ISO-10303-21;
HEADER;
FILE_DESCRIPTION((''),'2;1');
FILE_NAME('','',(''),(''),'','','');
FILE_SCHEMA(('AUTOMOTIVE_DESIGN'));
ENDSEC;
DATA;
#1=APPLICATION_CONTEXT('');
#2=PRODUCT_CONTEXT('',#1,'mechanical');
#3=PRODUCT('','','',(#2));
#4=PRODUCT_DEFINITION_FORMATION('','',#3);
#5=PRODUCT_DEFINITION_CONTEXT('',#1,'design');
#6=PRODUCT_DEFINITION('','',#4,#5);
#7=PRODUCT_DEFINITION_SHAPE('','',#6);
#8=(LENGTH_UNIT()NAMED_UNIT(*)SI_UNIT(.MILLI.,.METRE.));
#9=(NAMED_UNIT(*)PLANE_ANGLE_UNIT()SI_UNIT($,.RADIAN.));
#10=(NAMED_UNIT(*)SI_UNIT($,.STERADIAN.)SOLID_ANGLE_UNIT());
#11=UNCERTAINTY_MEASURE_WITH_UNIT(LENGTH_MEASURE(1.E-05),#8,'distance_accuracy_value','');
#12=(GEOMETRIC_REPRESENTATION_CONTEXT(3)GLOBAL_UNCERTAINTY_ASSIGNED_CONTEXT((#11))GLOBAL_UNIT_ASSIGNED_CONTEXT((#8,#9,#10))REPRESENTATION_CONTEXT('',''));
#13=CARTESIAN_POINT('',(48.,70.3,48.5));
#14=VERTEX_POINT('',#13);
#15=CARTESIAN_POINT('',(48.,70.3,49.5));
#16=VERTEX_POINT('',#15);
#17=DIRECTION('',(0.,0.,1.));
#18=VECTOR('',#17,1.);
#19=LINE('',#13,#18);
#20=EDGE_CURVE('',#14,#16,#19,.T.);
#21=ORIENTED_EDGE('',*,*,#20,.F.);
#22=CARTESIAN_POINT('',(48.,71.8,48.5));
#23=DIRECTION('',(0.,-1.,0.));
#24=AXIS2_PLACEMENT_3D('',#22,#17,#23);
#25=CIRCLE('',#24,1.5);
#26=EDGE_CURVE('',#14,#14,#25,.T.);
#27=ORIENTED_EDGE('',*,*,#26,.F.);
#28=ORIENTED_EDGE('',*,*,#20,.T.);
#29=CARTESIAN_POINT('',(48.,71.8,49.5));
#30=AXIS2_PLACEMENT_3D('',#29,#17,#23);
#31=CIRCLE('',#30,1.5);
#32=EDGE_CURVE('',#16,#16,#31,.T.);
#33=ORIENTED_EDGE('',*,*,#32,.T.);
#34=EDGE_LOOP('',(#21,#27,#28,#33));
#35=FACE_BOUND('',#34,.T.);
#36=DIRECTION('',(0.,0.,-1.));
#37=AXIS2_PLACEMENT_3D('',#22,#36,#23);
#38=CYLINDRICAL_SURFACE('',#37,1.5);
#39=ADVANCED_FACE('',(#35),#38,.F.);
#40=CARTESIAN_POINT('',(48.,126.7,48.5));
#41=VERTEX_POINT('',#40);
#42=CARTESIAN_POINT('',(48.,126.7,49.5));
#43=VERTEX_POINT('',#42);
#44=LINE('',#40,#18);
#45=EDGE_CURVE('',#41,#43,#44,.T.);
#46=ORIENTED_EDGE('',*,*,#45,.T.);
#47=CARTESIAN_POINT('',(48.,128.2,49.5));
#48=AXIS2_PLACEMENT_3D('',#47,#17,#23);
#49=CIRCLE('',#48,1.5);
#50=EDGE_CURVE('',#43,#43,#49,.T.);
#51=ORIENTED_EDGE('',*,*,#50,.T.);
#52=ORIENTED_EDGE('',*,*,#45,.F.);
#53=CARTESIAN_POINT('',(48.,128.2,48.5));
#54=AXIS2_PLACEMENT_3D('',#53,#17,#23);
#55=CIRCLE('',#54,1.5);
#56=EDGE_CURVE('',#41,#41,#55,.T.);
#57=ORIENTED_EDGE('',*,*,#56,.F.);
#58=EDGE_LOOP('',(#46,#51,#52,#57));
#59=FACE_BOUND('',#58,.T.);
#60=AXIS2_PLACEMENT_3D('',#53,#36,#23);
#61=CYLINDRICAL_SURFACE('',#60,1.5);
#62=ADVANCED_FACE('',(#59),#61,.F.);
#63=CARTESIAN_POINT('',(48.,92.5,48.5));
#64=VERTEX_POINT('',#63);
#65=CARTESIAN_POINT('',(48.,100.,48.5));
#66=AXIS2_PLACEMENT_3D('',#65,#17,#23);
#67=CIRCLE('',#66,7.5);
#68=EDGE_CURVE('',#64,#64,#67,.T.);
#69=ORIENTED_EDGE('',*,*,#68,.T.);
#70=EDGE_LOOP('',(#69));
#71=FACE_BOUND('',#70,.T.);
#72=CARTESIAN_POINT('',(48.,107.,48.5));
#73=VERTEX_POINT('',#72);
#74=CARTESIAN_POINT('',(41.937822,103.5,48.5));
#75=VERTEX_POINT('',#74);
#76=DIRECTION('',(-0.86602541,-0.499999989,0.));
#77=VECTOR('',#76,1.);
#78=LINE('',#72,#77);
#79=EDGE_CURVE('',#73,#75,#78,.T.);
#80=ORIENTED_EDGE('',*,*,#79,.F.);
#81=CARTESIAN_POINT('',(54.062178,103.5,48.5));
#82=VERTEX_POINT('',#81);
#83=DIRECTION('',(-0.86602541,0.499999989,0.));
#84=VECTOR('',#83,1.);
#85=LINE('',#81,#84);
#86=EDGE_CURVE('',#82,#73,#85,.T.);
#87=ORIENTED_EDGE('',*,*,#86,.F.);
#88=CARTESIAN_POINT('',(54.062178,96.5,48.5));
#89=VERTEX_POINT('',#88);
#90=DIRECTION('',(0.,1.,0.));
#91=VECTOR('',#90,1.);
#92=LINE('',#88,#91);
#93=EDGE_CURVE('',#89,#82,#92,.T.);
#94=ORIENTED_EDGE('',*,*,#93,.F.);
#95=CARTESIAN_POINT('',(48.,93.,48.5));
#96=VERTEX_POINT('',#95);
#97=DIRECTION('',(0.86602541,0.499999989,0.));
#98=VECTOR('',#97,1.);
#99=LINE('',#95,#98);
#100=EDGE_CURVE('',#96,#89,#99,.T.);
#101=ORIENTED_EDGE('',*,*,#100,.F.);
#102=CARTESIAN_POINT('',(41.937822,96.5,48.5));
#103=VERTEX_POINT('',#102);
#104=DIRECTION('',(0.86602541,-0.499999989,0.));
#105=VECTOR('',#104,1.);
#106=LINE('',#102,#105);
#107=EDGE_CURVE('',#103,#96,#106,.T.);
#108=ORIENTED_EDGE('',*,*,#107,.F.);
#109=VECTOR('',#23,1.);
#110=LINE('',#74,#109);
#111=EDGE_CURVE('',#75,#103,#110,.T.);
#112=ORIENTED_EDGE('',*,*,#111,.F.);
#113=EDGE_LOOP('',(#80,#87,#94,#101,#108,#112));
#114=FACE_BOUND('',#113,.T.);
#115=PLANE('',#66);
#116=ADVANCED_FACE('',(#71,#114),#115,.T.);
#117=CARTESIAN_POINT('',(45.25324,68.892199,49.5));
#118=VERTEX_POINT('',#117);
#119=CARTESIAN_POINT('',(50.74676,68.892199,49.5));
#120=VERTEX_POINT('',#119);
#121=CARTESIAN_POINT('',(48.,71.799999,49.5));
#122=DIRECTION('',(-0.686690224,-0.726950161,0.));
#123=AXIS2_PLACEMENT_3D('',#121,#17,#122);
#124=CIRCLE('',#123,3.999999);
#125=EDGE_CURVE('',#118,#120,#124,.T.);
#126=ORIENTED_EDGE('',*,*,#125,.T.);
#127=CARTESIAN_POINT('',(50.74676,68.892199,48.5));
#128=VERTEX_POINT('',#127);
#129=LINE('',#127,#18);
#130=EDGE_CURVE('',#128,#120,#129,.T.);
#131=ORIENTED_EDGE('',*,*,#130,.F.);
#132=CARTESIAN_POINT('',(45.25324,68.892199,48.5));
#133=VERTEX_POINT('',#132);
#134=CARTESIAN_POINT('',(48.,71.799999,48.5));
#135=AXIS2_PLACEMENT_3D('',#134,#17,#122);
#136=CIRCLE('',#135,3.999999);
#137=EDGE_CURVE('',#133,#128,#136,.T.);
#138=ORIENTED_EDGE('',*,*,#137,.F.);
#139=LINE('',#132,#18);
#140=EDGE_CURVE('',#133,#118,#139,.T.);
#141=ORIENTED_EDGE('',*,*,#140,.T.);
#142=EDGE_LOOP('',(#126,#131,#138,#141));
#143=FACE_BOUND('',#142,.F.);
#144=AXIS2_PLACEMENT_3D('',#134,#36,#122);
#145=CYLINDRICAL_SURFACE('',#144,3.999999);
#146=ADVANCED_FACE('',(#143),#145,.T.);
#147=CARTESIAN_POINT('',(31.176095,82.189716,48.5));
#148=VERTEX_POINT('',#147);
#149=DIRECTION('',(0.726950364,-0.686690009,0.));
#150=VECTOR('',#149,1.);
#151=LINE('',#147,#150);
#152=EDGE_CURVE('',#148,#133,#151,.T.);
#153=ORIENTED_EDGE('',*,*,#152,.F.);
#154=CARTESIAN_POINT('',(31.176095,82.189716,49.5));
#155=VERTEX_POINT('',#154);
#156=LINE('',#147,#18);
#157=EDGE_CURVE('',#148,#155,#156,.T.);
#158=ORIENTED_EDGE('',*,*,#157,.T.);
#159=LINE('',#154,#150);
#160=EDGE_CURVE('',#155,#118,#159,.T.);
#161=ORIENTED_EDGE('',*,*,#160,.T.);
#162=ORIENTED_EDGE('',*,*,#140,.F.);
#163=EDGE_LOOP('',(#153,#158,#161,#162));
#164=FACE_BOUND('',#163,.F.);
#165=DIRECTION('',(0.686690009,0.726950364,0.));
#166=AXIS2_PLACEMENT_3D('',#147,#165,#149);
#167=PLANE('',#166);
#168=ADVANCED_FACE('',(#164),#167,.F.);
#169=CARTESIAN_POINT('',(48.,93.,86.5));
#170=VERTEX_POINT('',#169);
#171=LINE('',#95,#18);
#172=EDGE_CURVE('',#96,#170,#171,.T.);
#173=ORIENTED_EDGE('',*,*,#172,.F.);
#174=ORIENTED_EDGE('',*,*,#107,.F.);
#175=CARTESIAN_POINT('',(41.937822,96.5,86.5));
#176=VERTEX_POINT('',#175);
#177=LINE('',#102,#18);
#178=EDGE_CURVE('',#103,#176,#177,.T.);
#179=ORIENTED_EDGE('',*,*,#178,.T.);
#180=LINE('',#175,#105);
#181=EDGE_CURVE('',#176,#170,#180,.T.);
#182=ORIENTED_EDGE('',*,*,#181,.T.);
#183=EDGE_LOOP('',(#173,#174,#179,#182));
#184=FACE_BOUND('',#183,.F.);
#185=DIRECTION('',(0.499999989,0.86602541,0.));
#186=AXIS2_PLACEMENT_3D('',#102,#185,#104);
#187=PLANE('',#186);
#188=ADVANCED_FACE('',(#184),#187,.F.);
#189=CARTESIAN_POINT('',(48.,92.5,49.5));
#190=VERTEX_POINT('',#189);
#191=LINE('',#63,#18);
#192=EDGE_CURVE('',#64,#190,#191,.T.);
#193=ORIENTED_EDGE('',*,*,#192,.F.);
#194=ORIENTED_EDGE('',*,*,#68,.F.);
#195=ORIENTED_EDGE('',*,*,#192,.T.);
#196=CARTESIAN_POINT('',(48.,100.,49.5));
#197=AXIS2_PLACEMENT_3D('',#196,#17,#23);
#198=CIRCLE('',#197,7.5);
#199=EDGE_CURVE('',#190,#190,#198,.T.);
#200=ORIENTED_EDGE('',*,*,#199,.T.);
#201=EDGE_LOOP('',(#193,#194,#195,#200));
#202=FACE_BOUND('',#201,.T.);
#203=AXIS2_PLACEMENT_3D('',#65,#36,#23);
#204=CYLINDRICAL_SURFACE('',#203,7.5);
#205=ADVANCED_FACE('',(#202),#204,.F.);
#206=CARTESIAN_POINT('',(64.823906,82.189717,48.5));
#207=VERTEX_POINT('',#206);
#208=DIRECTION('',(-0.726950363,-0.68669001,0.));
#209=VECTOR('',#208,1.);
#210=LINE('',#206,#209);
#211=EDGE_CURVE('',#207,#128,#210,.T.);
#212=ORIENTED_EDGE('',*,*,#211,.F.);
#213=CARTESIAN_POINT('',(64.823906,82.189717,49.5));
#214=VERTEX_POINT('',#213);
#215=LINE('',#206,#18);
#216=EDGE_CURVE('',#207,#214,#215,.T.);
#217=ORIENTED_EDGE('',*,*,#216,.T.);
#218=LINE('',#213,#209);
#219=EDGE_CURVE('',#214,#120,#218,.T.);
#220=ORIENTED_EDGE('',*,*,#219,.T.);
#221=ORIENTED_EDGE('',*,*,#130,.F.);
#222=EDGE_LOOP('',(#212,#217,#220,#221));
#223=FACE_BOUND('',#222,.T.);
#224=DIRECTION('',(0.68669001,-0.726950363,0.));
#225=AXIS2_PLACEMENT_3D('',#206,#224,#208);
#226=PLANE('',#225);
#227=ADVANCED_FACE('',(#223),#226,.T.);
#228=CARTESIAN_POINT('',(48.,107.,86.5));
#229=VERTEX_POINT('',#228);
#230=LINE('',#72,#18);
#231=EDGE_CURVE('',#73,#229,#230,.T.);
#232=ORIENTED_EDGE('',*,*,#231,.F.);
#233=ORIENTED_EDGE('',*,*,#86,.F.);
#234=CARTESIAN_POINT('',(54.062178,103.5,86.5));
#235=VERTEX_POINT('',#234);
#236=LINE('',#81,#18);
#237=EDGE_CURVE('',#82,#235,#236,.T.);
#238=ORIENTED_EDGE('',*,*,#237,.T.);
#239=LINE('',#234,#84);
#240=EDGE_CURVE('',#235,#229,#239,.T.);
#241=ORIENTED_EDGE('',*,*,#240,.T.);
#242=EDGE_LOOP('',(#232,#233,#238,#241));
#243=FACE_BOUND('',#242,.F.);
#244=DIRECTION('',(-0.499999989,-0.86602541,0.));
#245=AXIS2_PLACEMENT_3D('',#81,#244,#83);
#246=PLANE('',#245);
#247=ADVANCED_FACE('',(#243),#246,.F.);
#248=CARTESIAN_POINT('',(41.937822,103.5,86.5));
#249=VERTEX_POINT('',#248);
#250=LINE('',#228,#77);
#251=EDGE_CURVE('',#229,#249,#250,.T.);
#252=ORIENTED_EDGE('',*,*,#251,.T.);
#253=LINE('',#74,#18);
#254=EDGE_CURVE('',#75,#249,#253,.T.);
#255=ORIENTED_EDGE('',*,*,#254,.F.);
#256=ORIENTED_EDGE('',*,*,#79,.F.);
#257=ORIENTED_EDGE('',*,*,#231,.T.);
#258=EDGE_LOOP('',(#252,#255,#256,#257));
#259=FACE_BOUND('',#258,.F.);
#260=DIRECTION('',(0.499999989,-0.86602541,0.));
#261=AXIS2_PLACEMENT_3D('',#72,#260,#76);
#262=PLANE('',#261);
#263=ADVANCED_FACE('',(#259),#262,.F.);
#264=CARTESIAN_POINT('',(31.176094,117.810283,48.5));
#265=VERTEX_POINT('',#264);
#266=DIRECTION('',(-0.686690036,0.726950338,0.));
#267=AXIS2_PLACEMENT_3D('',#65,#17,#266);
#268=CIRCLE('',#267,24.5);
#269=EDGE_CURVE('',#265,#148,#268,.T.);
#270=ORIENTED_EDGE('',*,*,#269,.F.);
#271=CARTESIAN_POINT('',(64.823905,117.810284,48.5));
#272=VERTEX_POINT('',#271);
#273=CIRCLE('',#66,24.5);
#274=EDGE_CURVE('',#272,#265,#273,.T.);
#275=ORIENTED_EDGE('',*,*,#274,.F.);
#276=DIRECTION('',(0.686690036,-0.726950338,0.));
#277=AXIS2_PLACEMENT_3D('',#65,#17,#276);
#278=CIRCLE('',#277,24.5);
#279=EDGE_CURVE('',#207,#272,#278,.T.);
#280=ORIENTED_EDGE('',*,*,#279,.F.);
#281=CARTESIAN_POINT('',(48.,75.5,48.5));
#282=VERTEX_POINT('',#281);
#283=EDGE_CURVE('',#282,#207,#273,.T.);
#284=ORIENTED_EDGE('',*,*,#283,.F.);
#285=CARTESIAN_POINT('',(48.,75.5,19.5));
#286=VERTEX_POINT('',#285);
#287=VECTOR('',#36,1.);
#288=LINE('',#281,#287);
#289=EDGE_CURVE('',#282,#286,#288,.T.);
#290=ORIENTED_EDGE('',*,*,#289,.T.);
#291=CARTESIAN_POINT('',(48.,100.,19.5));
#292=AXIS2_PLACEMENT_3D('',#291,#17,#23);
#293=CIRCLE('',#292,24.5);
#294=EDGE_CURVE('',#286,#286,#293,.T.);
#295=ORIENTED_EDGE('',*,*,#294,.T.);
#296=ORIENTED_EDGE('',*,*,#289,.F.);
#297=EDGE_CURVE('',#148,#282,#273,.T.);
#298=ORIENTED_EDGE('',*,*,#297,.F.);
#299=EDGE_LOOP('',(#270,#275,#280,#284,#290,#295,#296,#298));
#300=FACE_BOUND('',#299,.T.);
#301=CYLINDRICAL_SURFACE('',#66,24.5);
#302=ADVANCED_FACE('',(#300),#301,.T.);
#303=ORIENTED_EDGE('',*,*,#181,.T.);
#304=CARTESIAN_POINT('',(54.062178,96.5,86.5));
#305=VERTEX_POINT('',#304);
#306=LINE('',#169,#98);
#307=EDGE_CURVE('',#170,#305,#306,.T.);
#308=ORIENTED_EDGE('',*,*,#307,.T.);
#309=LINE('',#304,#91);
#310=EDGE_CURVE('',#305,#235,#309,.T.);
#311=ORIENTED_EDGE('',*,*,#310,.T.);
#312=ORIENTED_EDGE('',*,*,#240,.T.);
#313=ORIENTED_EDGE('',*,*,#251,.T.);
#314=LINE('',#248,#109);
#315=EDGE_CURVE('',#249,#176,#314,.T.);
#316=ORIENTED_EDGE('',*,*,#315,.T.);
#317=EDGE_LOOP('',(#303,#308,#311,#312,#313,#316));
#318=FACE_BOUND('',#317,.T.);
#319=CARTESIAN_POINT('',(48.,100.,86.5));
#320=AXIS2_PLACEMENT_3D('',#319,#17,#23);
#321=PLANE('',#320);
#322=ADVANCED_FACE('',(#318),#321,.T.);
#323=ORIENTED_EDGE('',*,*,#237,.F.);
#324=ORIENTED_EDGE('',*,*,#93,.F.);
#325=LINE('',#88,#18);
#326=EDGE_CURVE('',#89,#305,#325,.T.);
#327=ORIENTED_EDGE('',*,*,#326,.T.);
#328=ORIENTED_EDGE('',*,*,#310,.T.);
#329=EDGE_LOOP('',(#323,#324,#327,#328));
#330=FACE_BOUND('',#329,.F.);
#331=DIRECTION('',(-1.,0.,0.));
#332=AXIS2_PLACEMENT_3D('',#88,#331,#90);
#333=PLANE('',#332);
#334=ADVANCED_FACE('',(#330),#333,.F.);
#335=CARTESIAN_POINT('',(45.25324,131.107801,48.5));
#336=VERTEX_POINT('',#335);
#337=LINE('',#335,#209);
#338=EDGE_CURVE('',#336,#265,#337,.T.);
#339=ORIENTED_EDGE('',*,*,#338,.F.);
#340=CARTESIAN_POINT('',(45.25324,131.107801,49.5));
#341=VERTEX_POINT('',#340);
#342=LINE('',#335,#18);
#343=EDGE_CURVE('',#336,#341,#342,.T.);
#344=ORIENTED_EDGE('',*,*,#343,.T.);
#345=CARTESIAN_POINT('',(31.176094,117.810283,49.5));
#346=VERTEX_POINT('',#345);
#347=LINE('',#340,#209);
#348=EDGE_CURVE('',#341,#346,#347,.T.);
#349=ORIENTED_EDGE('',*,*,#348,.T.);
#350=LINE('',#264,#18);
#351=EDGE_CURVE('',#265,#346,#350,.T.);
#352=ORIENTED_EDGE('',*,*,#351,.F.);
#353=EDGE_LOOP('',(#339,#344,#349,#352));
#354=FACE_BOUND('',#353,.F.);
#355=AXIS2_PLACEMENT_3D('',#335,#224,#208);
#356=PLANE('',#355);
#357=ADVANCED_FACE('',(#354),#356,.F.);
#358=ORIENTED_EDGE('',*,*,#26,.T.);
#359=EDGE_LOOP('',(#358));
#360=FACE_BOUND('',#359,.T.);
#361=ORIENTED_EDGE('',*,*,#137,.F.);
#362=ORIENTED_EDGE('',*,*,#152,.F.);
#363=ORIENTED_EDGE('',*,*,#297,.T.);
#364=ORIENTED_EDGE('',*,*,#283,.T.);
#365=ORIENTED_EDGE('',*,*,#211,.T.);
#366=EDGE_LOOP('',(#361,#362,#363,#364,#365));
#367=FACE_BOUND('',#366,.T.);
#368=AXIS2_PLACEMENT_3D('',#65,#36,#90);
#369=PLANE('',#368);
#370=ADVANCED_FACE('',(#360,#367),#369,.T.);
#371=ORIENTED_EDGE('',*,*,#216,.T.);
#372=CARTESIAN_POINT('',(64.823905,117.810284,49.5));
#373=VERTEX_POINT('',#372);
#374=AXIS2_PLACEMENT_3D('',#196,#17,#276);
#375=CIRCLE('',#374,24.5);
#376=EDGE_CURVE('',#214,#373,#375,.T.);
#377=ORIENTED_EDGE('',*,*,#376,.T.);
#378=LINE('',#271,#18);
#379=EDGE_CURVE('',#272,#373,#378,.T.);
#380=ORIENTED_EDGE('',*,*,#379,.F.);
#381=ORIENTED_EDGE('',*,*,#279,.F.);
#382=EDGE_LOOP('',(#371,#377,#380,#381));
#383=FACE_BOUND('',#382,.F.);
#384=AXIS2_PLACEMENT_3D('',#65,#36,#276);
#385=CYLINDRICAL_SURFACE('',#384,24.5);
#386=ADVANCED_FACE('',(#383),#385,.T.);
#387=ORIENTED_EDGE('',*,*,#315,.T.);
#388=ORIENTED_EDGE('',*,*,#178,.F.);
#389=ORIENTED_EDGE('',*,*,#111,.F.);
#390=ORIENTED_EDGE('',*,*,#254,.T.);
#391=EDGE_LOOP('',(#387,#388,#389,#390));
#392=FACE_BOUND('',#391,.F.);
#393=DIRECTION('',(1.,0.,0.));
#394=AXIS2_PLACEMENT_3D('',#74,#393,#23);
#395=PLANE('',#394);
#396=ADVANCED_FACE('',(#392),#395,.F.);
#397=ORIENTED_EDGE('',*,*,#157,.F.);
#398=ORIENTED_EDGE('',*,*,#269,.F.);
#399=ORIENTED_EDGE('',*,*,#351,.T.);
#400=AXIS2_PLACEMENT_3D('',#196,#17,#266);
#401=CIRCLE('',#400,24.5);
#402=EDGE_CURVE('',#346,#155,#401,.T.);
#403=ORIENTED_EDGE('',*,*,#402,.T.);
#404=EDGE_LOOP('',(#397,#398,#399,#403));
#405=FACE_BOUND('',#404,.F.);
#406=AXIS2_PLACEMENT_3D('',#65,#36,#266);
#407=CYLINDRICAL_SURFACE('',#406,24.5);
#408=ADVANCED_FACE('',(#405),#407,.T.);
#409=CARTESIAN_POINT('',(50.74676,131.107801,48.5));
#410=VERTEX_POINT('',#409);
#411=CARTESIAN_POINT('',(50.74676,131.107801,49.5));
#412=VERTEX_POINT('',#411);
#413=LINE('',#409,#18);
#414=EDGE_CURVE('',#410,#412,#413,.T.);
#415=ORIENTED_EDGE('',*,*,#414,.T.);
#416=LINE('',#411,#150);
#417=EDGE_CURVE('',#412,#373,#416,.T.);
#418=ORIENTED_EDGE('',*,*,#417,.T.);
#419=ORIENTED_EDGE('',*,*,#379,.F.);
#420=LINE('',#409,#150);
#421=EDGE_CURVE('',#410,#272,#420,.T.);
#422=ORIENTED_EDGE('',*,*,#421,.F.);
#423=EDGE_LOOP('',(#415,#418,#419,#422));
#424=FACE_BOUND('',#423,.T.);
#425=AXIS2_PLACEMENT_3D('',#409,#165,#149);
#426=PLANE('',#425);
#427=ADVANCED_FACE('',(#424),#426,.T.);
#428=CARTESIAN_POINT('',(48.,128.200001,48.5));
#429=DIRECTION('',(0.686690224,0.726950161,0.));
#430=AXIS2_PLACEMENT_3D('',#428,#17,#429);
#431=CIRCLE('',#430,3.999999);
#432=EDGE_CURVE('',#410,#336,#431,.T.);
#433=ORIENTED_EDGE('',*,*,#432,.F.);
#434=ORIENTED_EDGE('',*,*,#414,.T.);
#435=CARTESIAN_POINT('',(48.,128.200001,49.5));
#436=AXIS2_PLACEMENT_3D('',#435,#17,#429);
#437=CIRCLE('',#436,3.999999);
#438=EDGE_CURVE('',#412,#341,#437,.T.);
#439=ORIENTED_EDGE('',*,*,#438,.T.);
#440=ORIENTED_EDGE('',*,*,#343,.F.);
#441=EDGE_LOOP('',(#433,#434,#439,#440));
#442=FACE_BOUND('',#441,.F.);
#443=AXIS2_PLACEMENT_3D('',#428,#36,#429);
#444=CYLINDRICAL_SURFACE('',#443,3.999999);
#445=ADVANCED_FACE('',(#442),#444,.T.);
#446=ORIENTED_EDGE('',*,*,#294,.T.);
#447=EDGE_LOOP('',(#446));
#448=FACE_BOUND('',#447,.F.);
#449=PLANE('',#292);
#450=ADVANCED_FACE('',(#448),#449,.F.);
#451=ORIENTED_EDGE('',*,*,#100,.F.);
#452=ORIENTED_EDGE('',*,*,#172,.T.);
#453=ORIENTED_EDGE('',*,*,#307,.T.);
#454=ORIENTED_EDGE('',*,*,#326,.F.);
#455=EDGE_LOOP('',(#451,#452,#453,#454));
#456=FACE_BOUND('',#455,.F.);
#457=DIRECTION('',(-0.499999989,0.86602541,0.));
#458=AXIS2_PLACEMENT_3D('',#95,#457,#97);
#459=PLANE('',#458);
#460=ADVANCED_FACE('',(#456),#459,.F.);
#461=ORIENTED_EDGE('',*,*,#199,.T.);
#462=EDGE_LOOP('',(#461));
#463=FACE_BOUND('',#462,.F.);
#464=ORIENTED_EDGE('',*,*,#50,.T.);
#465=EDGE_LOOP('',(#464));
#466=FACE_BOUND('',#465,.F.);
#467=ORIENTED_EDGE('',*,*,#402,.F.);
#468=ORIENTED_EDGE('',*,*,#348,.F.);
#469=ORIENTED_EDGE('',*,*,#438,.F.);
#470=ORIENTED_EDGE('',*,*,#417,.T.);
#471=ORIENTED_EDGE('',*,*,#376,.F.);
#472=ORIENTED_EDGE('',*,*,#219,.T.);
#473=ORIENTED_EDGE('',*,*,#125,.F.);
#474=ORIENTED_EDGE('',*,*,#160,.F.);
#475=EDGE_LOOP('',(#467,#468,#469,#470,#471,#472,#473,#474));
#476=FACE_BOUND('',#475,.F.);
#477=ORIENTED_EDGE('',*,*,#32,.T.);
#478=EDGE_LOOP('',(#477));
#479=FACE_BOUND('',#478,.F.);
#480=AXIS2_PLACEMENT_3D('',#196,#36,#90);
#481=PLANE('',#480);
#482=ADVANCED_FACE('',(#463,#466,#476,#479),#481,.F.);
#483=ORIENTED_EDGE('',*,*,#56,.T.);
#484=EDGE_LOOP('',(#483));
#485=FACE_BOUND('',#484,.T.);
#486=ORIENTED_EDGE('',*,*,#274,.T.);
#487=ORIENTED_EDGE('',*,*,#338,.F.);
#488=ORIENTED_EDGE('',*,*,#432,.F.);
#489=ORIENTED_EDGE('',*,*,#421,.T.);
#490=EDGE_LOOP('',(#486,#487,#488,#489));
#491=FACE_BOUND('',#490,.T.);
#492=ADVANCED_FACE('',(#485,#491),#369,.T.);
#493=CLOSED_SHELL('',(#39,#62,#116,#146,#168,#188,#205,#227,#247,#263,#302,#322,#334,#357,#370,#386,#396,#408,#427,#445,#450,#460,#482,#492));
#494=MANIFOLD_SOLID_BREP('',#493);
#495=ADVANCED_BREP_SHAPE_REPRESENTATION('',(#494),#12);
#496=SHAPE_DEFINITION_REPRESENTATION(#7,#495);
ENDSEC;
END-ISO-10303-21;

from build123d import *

# Parameters (mm, degrees)
SKETCH033_R             = 24.5
PAD011_DEPTH            = 29
SKETCH034_R             = 7.5
SKETCH034_R_2           = 1.5
PAD012_DEPTH            = 1
PAD013_DEPTH            = 38
BODY012_PLACEMENT_ANGLE = 90


with BuildPart() as part:
    # Sketch033 → Pad011 (new body)
    with BuildSketch(Plane.XY):
        Circle(SKETCH033_R)
    extrude(amount=-PAD011_DEPTH)

    # Sketch034 (on Face2 of Pad011) → Pad012 (join)
    with BuildSketch(Plane.XY):
        with BuildLine():
            Line((-31.107801, 2.74676), (-17.810284, 16.823905))
            ThreePointArc((17.810283, 16.823906), (-1e-06, 24.5), (-17.810284, 16.823905))
            Line((17.810283, 16.823906), (31.107801, 2.74676))
            ThreePointArc((31.107801, -2.74676), (32.2, 0), (31.107801, 2.74676))
            Line((17.810284, -16.823905), (31.107801, -2.74676))
            ThreePointArc((-17.810283, -16.823906), (1e-06, -24.5), (17.810284, -16.823905))
            Line((-31.107801, -2.74676), (-17.810283, -16.823906))
            ThreePointArc((-31.107801, 2.74676), (-32.2, 0), (-31.107801, -2.74676))
        make_face()
        Circle(SKETCH034_R, mode=Mode.SUBTRACT)
        with Locations((-28.2, 0)):
            Circle(SKETCH034_R_2, mode=Mode.SUBTRACT)
        with Locations((28.2, 0)):
            Circle(SKETCH034_R_2, mode=Mode.SUBTRACT)
    extrude(amount=PAD012_DEPTH)

    # Sketch035 (on Face17 of Pad012) → Pad013 (join)
    with BuildSketch(Plane.XY):
        Polygon((3.5, -6.062178), (7, 0), (3.5, 6.062178), (-3.5, 6.062178), (-7, 0), (-3.5, -6.062178), align=None)
    extrude(amount=PAD013_DEPTH)


with BuildPart() as part_1:
    # Body012 placement: moved
    add(part.part.moved(Location((48, 100, 48.5))).rotate(Axis((48, 100, 48.5), (0, 0, -1)), BODY012_PLACEMENT_ANGLE))


solid = part_1.part
